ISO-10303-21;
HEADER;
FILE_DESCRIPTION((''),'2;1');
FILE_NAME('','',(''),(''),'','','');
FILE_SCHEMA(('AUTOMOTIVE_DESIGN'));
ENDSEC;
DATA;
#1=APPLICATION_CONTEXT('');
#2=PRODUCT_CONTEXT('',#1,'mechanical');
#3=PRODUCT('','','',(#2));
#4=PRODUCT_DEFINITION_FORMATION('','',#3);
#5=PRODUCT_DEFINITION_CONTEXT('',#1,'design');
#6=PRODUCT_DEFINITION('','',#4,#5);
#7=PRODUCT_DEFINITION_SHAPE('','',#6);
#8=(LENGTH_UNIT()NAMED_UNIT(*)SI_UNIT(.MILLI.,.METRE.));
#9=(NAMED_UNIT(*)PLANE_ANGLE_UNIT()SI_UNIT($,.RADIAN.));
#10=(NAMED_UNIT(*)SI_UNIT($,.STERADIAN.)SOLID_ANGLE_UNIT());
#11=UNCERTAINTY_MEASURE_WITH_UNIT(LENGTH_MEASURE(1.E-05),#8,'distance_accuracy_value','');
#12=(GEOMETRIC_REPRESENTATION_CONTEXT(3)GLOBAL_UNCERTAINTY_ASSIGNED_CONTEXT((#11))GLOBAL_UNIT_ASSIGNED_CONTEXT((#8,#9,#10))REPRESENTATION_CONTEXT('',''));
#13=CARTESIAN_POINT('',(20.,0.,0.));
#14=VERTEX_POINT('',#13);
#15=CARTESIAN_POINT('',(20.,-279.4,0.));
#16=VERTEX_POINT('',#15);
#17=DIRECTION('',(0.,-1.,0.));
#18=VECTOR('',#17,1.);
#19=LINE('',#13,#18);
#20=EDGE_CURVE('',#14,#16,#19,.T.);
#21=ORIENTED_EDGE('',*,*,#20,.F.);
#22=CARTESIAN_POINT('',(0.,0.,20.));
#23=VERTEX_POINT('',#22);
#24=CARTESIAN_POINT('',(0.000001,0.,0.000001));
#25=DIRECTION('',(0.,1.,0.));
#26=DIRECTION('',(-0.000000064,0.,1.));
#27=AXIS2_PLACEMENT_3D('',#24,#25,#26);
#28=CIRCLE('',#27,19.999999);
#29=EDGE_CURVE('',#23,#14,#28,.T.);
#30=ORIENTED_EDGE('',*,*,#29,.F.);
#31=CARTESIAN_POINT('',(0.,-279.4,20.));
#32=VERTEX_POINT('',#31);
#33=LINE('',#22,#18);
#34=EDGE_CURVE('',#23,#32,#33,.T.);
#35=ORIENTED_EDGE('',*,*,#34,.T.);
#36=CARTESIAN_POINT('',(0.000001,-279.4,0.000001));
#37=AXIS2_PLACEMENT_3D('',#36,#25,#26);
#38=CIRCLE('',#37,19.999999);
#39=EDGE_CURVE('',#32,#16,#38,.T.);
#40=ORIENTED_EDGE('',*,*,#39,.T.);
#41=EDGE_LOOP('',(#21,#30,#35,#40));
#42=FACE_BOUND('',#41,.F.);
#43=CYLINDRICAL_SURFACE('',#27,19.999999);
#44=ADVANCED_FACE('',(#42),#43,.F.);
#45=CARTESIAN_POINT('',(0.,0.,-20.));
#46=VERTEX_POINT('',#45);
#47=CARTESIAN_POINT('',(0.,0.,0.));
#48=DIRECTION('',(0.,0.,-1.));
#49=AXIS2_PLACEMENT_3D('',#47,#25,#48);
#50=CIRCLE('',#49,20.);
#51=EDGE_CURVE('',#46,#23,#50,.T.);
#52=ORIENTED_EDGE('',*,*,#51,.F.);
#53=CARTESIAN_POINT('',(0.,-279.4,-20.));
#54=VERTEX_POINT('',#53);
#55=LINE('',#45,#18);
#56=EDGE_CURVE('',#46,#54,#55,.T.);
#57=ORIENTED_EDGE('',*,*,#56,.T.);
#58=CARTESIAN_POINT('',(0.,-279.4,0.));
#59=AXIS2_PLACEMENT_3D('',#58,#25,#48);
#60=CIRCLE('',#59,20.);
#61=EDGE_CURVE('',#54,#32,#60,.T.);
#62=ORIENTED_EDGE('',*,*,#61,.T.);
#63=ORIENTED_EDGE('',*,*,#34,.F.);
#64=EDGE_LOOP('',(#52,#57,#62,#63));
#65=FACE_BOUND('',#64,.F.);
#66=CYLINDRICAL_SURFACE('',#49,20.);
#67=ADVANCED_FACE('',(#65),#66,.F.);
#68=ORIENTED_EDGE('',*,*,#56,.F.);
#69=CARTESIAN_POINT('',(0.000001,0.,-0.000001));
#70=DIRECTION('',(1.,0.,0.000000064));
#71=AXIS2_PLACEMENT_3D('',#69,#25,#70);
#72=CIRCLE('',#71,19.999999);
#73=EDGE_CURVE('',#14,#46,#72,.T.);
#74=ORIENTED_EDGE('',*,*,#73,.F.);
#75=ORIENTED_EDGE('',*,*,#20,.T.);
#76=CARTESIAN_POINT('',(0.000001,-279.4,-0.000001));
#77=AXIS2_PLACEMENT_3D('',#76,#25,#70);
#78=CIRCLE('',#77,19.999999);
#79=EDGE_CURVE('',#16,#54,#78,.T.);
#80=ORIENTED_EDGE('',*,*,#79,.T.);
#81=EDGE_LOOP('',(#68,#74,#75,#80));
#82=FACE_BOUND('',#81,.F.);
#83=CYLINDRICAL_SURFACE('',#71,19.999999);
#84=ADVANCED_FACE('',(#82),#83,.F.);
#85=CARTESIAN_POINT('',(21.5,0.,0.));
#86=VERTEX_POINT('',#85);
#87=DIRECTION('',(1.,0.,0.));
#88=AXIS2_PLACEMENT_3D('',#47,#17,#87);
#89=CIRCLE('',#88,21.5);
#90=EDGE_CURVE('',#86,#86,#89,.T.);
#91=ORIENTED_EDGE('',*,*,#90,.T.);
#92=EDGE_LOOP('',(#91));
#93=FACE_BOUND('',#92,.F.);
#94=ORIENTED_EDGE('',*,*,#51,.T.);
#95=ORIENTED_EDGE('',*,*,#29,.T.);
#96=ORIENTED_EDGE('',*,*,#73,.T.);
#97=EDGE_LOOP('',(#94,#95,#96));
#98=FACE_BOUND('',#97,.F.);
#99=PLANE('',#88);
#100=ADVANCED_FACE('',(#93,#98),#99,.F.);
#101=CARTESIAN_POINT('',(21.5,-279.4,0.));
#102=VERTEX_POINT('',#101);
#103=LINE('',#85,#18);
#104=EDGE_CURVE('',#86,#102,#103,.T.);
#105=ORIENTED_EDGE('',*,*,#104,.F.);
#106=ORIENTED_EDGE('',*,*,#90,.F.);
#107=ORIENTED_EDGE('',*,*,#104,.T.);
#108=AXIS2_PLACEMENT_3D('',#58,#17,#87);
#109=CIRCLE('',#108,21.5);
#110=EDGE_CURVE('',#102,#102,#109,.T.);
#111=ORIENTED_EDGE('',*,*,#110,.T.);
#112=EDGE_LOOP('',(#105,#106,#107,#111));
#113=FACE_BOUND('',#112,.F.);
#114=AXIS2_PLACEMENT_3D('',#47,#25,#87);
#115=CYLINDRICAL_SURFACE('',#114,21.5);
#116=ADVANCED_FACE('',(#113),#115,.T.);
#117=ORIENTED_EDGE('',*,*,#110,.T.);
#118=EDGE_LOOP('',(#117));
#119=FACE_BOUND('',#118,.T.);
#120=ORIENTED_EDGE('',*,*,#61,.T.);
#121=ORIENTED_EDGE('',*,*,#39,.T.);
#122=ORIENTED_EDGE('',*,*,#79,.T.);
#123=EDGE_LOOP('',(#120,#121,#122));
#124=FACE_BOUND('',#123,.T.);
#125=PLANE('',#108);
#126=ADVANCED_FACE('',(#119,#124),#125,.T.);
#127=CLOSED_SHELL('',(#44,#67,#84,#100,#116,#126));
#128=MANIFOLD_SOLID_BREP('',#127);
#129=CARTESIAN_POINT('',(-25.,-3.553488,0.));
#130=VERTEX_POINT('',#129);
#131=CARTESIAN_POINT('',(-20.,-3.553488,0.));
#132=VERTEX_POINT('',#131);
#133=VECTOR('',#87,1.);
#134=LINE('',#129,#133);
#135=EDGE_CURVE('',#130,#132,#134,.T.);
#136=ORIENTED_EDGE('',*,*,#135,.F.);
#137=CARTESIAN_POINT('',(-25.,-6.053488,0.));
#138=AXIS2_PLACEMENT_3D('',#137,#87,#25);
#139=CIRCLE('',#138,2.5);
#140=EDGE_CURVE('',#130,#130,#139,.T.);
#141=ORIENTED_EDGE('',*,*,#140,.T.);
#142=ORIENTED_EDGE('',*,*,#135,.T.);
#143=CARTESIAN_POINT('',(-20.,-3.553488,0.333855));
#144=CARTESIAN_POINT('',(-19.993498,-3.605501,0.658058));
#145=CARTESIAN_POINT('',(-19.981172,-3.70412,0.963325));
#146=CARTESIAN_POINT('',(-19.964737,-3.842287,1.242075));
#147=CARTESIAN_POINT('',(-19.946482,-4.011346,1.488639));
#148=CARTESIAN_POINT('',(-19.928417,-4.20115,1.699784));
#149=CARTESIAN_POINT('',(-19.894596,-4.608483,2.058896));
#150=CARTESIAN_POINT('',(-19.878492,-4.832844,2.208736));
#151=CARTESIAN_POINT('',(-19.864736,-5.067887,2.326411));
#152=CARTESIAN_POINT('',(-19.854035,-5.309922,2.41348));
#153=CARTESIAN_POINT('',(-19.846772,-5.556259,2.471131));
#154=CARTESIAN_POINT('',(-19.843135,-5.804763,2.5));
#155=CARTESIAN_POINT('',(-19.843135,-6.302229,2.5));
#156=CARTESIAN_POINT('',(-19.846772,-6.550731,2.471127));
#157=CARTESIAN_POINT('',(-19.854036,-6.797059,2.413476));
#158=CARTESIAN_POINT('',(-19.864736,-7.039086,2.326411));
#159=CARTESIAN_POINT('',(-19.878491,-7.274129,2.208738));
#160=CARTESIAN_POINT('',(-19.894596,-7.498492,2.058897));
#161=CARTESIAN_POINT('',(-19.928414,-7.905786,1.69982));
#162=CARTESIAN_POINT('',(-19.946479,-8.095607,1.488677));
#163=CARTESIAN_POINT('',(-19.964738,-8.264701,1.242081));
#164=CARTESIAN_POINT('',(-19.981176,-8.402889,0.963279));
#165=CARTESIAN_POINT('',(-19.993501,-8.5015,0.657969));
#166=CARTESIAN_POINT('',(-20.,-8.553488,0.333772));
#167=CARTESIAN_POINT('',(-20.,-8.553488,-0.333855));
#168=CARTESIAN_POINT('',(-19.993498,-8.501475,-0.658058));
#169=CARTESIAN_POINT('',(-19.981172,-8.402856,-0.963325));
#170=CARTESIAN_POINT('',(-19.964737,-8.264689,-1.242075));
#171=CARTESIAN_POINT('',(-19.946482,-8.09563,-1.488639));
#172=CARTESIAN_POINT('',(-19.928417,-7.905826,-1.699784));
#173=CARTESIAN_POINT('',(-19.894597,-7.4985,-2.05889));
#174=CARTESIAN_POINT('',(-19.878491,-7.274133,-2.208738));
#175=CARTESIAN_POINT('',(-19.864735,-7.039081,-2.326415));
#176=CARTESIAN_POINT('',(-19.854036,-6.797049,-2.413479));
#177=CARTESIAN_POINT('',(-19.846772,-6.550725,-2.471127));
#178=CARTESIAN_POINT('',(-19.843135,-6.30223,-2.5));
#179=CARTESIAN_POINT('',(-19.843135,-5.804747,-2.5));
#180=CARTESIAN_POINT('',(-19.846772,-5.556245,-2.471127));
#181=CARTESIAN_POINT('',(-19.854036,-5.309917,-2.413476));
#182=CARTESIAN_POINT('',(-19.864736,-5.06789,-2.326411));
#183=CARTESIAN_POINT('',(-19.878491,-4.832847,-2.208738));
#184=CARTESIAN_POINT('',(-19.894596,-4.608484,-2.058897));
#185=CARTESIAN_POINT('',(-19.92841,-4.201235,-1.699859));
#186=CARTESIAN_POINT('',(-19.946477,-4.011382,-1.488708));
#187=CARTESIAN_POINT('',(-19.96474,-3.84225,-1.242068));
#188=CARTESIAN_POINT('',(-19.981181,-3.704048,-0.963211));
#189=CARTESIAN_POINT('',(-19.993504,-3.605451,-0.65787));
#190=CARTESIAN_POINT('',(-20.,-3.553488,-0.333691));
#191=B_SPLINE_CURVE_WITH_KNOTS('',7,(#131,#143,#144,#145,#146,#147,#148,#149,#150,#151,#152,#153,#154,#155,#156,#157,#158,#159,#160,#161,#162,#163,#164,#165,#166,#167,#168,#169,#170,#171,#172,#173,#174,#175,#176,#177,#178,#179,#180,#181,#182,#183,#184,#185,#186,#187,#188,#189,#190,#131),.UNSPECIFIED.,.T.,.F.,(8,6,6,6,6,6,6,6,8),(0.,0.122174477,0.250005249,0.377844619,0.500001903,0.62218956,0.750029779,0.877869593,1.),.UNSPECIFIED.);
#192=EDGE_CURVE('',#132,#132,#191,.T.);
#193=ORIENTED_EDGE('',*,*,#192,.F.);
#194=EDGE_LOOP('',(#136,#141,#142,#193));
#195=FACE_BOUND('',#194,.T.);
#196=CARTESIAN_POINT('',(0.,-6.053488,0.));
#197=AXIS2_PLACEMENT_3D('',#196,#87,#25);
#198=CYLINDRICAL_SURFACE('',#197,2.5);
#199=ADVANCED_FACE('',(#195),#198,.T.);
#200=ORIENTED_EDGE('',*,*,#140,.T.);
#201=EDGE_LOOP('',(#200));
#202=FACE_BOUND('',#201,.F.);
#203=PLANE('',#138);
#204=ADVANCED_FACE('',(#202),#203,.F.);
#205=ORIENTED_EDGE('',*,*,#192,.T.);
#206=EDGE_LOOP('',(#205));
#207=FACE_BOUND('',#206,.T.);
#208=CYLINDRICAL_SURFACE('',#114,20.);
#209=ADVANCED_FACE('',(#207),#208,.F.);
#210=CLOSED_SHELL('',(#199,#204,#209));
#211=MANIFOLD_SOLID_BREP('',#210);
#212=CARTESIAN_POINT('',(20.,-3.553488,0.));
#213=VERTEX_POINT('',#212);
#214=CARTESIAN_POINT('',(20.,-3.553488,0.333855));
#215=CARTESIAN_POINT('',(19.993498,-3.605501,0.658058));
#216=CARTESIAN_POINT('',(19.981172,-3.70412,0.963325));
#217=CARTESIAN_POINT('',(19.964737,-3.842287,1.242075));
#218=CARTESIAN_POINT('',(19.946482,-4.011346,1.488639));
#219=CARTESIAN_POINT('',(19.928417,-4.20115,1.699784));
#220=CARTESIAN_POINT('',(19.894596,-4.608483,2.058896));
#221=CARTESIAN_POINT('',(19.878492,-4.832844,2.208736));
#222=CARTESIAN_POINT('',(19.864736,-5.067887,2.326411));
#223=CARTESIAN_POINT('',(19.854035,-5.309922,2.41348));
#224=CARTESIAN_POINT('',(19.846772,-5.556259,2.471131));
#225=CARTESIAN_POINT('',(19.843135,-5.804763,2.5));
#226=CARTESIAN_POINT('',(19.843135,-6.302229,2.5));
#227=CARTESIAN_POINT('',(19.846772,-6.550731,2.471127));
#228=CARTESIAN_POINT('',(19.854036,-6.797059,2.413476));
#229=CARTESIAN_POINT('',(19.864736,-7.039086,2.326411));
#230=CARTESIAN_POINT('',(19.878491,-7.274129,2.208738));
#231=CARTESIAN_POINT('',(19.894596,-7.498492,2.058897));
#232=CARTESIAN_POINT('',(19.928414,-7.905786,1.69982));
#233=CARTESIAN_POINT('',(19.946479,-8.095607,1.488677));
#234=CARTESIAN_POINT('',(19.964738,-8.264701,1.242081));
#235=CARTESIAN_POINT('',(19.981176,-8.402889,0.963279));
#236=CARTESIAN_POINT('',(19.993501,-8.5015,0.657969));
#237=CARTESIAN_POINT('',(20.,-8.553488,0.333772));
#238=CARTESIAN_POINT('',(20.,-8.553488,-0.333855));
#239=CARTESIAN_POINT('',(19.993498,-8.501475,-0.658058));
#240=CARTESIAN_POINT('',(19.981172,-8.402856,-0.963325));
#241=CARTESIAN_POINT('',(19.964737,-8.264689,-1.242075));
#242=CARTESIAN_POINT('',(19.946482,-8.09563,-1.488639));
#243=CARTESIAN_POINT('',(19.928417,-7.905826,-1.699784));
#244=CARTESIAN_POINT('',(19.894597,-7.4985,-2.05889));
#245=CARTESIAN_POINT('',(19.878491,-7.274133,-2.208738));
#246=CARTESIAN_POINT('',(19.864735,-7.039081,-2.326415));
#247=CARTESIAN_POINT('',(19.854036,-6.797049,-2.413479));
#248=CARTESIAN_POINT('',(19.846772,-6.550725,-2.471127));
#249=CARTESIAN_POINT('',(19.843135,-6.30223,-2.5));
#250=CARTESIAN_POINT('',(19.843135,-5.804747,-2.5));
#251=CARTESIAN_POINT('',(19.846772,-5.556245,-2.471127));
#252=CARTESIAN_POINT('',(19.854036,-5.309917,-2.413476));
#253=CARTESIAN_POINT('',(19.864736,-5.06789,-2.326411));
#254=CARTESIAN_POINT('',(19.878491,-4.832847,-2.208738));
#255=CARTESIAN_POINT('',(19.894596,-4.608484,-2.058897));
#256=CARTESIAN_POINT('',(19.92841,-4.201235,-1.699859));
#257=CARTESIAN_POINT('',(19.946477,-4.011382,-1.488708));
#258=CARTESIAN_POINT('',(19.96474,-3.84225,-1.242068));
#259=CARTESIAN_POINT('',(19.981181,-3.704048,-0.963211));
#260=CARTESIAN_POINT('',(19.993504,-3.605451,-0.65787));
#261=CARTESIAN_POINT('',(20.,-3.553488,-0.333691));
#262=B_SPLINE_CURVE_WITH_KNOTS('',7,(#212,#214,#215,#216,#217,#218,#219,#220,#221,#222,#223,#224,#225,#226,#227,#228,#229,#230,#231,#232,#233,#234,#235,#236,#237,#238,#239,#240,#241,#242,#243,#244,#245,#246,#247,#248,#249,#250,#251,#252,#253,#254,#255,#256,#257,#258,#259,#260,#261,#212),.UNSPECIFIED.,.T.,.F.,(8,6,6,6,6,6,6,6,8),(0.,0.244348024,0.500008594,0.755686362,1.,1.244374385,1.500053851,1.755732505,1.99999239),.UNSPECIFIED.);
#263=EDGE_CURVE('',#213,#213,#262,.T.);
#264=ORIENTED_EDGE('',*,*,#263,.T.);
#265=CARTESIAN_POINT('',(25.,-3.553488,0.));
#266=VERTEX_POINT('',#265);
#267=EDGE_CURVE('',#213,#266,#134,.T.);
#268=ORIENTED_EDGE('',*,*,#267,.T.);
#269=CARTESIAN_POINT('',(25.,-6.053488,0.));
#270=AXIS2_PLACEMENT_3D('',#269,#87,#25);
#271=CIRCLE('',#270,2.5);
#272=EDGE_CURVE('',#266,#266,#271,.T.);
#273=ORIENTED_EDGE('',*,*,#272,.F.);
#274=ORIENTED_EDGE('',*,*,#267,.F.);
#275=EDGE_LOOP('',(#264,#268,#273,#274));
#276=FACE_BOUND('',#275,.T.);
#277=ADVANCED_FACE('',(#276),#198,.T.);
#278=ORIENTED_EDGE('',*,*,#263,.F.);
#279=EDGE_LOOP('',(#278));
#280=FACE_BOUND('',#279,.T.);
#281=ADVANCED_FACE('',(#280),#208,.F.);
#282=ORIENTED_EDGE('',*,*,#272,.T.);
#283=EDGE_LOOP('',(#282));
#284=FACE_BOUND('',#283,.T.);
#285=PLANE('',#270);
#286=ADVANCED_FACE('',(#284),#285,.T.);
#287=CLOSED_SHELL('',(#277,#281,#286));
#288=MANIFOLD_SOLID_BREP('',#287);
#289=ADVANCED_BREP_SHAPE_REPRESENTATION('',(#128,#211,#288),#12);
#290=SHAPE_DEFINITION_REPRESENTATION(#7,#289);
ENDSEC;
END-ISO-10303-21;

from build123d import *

# Parameters (mm, degrees)
F0_R     = 2.5
F1_DEPTH = 25
F2_R     = 21.5
F3_DEPTH = 279.4
F4_R     = 20
F5_DEPTH = 21.336


with BuildPart() as f1:
    # F0 (on Right) → F1 (new body, symmetric)
    with BuildSketch(Plane.YZ):
        with Locations((-6.053488, 0)):
            Circle(F0_R)
    extrude(amount=F1_DEPTH, both=True)

    # F4 (on Front) → F5 (cut)
    with BuildSketch(Plane.XZ):
        Circle(F4_R)
    extrude(amount=F5_DEPTH, mode=Mode.SUBTRACT)


with BuildPart() as f3:
    # F2 (on Front) → F3 (new body)
    with BuildSketch(Plane.XZ):
        Circle(F2_R)
        with BuildLine():
            ThreePointArc((0, 20), (14.142136, 14.142136), (20, 0))
            ThreePointArc((20, 0), (14.142136, -14.142136), (0, -20))
            ThreePointArc((0, -20), (-20, 0), (0, 20))
        make_face(mode=Mode.SUBTRACT)
    extrude(amount=F3_DEPTH)


solid = Compound([f1.part, f3.part])
